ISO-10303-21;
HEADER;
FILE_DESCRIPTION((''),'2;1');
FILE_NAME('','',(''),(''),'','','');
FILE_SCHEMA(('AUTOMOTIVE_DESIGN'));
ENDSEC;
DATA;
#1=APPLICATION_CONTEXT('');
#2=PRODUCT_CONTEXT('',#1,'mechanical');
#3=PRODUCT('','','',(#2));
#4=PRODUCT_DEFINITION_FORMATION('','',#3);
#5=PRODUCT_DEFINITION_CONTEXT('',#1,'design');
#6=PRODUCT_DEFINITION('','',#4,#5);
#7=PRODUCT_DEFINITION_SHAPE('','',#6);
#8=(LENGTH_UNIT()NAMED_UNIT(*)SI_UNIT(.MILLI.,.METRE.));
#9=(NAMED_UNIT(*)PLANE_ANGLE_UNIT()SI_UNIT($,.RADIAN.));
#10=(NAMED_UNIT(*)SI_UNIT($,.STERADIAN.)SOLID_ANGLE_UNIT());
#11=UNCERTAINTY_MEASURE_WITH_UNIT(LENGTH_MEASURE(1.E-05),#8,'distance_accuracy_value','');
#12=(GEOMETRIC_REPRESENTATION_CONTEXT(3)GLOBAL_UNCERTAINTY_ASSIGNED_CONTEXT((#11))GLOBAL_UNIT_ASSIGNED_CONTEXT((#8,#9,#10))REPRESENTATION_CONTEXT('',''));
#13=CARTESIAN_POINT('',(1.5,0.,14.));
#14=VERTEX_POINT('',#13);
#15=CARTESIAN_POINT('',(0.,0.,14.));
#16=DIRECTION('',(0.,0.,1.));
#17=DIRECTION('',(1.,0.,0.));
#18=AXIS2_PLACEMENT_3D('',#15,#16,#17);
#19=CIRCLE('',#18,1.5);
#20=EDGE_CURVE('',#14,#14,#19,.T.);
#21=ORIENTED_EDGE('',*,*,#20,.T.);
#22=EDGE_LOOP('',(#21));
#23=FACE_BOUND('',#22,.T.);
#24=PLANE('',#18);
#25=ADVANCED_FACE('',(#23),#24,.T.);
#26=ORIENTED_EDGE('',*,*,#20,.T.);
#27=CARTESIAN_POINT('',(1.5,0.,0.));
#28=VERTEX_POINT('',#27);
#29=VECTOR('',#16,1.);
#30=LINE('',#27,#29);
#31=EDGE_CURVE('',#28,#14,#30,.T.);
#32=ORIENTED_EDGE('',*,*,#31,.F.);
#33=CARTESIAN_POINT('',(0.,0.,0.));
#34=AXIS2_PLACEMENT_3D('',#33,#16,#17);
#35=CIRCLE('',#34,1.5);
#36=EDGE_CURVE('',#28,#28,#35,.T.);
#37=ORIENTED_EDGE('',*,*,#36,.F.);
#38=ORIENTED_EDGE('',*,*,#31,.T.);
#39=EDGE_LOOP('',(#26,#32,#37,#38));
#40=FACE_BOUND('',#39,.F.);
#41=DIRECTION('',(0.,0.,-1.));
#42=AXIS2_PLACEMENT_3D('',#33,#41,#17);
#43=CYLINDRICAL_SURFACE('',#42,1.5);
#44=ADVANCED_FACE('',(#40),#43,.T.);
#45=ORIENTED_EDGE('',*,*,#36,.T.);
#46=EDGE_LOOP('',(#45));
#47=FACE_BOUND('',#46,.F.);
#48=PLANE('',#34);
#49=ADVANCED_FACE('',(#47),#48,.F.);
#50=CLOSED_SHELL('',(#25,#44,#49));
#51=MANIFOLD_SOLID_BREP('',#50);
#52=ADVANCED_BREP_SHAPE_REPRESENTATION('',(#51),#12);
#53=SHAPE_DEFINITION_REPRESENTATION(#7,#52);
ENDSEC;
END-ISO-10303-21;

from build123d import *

# Parameters (mm, degrees)
SKETCH1_R           = 1.5
BOSS_EXTRUDE1_DEPTH = 14


with BuildPart() as part:
    # Sketch1 → Boss-Extrude1 (new body)
    with BuildSketch(Plane.XY):
        Circle(SKETCH1_R)
    extrude(amount=BOSS_EXTRUDE1_DEPTH)


solid = part.part
